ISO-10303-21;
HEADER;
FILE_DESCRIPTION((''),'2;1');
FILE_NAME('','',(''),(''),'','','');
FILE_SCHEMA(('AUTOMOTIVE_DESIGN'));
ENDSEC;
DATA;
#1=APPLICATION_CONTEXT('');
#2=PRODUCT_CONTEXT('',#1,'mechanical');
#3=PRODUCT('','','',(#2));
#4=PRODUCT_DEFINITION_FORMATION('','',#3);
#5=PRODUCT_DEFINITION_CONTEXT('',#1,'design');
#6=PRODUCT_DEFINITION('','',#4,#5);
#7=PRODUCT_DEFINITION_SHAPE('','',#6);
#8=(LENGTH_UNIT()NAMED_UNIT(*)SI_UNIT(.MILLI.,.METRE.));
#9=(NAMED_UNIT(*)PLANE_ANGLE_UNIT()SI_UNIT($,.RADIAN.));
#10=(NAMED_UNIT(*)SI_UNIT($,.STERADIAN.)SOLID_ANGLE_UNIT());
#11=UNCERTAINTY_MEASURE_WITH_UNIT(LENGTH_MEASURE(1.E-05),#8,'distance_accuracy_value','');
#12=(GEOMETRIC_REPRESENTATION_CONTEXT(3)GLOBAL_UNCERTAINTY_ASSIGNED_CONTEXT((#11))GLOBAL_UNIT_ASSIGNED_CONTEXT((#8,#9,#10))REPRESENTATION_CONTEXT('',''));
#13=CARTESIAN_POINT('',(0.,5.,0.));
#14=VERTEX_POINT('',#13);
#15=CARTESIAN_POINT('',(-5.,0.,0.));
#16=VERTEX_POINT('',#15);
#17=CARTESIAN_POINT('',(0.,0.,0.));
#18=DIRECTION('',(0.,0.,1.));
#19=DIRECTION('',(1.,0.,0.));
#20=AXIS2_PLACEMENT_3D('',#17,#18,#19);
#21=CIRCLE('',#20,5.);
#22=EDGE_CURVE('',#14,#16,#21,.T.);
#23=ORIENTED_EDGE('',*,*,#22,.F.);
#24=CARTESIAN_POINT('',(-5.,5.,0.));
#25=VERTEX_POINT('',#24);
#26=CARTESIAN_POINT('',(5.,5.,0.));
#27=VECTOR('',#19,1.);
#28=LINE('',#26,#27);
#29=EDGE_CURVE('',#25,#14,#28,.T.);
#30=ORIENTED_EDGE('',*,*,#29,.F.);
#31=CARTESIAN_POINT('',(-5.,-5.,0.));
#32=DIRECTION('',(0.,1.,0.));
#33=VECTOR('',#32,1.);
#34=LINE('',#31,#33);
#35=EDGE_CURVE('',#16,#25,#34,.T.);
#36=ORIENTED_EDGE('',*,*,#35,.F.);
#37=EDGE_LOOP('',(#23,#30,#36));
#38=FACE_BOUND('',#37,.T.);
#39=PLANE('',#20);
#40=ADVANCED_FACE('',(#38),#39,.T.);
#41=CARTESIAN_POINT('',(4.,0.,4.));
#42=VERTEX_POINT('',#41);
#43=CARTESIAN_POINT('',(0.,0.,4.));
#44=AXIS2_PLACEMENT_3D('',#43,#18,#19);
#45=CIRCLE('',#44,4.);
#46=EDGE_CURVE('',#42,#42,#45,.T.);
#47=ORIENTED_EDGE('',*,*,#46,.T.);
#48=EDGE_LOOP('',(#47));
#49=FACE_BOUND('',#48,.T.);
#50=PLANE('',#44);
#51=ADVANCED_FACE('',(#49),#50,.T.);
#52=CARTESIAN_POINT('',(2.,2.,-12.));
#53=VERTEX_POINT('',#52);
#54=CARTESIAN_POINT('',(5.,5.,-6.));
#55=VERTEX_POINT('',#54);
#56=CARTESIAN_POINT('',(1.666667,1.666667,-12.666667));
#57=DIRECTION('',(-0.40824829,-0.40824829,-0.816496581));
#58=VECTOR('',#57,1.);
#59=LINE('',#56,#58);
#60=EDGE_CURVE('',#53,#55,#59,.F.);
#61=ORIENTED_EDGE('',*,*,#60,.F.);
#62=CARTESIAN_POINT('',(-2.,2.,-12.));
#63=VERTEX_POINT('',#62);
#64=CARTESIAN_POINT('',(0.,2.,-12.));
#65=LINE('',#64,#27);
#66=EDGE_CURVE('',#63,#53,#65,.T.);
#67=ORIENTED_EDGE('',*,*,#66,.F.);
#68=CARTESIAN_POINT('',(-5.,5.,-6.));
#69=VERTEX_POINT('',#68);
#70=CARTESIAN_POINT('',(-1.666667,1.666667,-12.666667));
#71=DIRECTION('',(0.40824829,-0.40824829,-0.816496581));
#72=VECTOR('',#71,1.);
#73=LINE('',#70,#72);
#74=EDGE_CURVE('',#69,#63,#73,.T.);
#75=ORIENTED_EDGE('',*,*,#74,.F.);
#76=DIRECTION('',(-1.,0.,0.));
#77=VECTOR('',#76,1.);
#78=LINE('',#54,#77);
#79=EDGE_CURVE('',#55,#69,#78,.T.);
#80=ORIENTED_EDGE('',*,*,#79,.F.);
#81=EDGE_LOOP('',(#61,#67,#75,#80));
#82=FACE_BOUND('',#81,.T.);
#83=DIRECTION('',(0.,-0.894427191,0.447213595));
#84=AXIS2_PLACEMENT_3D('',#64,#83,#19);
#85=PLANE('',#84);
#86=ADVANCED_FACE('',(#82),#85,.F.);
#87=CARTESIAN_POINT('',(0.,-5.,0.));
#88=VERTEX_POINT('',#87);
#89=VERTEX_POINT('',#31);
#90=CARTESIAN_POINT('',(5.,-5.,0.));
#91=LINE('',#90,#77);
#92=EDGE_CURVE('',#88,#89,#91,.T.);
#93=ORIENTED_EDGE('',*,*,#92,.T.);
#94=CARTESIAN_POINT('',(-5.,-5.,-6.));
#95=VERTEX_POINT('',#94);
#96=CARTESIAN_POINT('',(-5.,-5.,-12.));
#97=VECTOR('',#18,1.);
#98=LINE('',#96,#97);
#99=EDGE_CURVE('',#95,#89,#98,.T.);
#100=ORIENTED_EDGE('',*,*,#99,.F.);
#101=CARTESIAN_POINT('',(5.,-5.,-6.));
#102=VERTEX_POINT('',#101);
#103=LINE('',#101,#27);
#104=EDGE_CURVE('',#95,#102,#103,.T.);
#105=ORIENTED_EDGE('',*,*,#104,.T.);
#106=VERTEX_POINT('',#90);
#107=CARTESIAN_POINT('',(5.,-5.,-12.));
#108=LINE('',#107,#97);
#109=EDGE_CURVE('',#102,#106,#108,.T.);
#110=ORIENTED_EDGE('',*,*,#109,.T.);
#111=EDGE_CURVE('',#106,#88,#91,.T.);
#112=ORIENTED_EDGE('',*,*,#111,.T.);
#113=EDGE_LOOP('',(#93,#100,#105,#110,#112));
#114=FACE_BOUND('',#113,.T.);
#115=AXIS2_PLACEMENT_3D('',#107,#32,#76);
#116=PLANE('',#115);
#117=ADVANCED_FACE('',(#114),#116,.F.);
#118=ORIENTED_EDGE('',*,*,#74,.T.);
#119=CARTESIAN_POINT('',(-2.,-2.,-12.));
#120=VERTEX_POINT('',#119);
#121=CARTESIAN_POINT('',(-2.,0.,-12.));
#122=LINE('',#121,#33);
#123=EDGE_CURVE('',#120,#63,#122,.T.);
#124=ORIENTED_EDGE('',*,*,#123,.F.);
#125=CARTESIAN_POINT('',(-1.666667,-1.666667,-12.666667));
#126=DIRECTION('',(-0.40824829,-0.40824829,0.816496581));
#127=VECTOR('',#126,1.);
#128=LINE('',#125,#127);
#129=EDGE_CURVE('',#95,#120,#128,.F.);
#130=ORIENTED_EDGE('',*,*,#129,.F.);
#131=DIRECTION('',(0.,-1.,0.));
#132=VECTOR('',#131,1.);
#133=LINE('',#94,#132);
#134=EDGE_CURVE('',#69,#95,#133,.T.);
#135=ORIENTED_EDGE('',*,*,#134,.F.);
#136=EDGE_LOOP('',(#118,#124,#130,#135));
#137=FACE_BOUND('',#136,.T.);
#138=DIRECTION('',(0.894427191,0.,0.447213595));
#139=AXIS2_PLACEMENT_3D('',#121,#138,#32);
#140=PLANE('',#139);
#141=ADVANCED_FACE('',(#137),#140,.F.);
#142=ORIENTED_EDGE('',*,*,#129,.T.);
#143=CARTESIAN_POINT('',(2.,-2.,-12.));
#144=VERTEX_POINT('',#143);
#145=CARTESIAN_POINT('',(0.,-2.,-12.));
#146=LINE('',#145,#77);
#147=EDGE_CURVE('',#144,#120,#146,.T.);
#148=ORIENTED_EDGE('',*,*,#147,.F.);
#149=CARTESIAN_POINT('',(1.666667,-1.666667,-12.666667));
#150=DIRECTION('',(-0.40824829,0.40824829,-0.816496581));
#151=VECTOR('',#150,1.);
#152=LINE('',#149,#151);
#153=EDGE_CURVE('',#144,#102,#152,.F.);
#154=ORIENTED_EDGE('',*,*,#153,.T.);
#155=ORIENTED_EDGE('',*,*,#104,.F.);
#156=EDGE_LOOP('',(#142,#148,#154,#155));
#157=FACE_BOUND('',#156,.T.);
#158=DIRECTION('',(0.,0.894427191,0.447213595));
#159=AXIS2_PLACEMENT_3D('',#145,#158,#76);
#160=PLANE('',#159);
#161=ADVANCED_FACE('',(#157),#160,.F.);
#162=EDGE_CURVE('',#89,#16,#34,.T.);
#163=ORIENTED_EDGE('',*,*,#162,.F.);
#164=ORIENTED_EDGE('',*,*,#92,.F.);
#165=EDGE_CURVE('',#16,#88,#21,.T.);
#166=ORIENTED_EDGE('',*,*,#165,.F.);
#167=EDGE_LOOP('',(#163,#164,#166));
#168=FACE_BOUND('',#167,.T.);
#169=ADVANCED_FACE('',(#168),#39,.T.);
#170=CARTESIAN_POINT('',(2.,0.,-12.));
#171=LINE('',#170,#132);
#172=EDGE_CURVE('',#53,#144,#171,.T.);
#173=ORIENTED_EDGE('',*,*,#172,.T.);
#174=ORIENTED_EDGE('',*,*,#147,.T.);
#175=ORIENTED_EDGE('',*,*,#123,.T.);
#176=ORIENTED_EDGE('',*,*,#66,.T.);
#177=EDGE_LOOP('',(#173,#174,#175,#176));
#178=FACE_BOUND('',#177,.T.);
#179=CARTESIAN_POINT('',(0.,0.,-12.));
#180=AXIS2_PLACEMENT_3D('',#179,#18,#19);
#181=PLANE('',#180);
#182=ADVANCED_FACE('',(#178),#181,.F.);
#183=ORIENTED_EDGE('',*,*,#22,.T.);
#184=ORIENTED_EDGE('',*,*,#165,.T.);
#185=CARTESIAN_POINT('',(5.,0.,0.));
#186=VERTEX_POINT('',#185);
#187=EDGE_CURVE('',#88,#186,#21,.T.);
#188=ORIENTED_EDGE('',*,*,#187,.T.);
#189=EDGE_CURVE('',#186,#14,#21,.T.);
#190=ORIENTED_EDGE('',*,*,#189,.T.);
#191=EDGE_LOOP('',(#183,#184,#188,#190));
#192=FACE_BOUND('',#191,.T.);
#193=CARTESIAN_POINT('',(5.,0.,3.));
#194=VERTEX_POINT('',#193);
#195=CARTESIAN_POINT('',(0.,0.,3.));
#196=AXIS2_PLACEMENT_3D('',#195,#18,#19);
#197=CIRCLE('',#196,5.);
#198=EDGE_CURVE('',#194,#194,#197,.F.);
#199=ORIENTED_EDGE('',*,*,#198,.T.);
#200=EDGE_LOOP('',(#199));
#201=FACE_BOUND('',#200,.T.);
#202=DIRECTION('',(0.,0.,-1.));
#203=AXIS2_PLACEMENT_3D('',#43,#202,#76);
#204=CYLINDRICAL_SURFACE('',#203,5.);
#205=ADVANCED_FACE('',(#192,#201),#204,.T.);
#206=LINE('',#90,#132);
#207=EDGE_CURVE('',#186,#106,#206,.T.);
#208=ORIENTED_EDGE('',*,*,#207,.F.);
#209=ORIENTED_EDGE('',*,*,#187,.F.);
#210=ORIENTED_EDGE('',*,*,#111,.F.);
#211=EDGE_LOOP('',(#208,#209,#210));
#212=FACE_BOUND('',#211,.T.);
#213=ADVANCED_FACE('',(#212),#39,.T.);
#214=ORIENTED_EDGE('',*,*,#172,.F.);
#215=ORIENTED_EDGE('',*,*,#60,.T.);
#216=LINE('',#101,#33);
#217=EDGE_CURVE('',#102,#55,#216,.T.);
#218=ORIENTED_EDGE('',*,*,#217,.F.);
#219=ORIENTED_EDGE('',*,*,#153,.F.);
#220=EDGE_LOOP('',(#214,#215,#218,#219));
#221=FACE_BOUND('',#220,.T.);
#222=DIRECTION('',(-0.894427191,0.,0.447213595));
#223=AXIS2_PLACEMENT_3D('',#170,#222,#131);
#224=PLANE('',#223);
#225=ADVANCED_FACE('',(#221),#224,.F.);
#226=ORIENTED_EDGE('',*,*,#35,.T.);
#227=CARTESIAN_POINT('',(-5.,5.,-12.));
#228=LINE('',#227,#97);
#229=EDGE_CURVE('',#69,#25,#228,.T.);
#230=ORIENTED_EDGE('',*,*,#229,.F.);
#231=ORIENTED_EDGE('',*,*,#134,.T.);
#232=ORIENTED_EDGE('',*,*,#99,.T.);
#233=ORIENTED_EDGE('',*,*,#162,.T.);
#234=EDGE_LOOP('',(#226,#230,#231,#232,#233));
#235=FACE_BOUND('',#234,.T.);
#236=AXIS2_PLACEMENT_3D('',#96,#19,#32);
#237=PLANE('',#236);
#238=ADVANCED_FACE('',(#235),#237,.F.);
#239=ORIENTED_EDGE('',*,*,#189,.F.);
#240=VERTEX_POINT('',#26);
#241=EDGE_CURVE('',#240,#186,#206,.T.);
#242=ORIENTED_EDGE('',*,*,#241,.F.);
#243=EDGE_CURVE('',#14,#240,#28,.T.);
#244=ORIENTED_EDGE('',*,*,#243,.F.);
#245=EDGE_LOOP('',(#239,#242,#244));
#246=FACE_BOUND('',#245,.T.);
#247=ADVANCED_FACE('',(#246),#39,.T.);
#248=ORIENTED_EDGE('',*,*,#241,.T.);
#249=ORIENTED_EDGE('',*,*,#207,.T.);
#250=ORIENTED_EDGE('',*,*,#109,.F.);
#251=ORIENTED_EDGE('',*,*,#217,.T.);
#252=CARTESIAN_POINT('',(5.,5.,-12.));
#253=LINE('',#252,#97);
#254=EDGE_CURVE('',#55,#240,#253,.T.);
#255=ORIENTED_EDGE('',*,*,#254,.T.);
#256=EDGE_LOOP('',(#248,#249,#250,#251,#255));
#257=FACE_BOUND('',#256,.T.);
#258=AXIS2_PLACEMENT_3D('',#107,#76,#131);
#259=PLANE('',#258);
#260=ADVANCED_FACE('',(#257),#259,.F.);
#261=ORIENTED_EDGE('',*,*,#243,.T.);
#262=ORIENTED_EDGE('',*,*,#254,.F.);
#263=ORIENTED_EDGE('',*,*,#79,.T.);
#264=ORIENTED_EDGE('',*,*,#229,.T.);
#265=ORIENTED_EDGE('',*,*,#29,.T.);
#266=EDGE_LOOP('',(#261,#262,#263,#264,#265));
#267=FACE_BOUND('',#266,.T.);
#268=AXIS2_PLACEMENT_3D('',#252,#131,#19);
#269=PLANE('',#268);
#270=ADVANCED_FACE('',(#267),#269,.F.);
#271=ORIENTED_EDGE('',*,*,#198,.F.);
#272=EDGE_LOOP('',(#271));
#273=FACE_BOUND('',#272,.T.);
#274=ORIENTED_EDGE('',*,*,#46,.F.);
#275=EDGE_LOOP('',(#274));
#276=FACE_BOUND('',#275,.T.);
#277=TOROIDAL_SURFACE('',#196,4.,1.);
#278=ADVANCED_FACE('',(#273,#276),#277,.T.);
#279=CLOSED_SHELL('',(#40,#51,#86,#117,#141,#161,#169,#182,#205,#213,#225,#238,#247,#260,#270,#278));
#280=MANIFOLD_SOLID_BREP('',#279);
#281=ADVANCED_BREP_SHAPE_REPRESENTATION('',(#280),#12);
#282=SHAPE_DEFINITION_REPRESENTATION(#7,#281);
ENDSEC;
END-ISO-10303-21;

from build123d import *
from OCP.BRepFilletAPI import BRepFilletAPI_MakeChamfer

# Parameters (mm, degrees)
SCHIZZO1_R                   = 5
ESTRUSIONE_ESTRUSIONE1_DEPTH = 4
SCHIZZO2_W                   = 10
SCHIZZO2_H                   = 10
ESTRUSIONE_ESTRUSIONE2_DEPTH = 12
RACCORDO1_R                  = 1
SMUSSO1_SIZE                 = 6
SMUSSO1_SIZE2                = 3


with BuildPart() as part:
    # Schizzo1 → Estrusione-Estrusione1 (new body)
    with BuildSketch(Plane.XY):
        Circle(SCHIZZO1_R)
    extrude(amount=ESTRUSIONE_ESTRUSIONE1_DEPTH)

    # Schizzo2 → Estrusione-Estrusione2 (add)
    with BuildSketch(Plane(origin=(0, 0, 0), x_dir=(-1, 0, 0), z_dir=(0, 0, -1))):
        Rectangle(SCHIZZO2_W, SCHIZZO2_H)
    extrude(amount=ESTRUSIONE_ESTRUSIONE2_DEPTH)

    # Raccordo1
    raccordo1_edges = [part.edges().sort_by_distance(p)[0] for p in [
        (-5, 0, 4),
    ]]
    fillet(raccordo1_edges, radius=RACCORDO1_R)

    # Smusso1: one chamfer whose edges measure the first distance from different faces: ONE call of the kernel's chamfer builder (chamfer() names one face for all edges)
    smusso1_edges_1 = [part.edges().sort_by_distance(p)[0] for p in [
        (0, 5, -12),
    ]]
    smusso1_side_1 = [part.faces().sort_by_distance(p)[0] for p in [
        (0, 5, -6),
    ]]
    smusso1_edges_2 = [part.edges().sort_by_distance(p)[0] for p in [
        (5, 0, -12),
    ]]
    smusso1_side_2 = [part.faces().sort_by_distance(p)[0] for p in [
        (5, 0, -6),
    ]]
    smusso1_edges_3 = [part.edges().sort_by_distance(p)[0] for p in [
        (0, -5, -12),
    ]]
    smusso1_side_3 = [part.faces().sort_by_distance(p)[0] for p in [
        (0, -5, -6),
    ]]
    smusso1_edges_4 = [part.edges().sort_by_distance(p)[0] for p in [
        (-5, 0, -12),
    ]]
    smusso1_side_4 = [part.faces().sort_by_distance(p)[0] for p in [
        (-5, 0, -6),
    ]]
    smusso1 = BRepFilletAPI_MakeChamfer(part.part.solid().wrapped)
    for e in smusso1_edges_1:
        smusso1.Add(SMUSSO1_SIZE, SMUSSO1_SIZE2, e.wrapped, smusso1_side_1[0].wrapped)  # the first distance lies on this face
    for e in smusso1_edges_2:
        smusso1.Add(SMUSSO1_SIZE, SMUSSO1_SIZE2, e.wrapped, smusso1_side_2[0].wrapped)  # the first distance lies on this face
    for e in smusso1_edges_3:
        smusso1.Add(SMUSSO1_SIZE, SMUSSO1_SIZE2, e.wrapped, smusso1_side_3[0].wrapped)  # the first distance lies on this face
    for e in smusso1_edges_4:
        smusso1.Add(SMUSSO1_SIZE, SMUSSO1_SIZE2, e.wrapped, smusso1_side_4[0].wrapped)  # the first distance lies on this face
    add(Compound.cast(smusso1.Shape()), mode=Mode.REPLACE)


solid = part.part
